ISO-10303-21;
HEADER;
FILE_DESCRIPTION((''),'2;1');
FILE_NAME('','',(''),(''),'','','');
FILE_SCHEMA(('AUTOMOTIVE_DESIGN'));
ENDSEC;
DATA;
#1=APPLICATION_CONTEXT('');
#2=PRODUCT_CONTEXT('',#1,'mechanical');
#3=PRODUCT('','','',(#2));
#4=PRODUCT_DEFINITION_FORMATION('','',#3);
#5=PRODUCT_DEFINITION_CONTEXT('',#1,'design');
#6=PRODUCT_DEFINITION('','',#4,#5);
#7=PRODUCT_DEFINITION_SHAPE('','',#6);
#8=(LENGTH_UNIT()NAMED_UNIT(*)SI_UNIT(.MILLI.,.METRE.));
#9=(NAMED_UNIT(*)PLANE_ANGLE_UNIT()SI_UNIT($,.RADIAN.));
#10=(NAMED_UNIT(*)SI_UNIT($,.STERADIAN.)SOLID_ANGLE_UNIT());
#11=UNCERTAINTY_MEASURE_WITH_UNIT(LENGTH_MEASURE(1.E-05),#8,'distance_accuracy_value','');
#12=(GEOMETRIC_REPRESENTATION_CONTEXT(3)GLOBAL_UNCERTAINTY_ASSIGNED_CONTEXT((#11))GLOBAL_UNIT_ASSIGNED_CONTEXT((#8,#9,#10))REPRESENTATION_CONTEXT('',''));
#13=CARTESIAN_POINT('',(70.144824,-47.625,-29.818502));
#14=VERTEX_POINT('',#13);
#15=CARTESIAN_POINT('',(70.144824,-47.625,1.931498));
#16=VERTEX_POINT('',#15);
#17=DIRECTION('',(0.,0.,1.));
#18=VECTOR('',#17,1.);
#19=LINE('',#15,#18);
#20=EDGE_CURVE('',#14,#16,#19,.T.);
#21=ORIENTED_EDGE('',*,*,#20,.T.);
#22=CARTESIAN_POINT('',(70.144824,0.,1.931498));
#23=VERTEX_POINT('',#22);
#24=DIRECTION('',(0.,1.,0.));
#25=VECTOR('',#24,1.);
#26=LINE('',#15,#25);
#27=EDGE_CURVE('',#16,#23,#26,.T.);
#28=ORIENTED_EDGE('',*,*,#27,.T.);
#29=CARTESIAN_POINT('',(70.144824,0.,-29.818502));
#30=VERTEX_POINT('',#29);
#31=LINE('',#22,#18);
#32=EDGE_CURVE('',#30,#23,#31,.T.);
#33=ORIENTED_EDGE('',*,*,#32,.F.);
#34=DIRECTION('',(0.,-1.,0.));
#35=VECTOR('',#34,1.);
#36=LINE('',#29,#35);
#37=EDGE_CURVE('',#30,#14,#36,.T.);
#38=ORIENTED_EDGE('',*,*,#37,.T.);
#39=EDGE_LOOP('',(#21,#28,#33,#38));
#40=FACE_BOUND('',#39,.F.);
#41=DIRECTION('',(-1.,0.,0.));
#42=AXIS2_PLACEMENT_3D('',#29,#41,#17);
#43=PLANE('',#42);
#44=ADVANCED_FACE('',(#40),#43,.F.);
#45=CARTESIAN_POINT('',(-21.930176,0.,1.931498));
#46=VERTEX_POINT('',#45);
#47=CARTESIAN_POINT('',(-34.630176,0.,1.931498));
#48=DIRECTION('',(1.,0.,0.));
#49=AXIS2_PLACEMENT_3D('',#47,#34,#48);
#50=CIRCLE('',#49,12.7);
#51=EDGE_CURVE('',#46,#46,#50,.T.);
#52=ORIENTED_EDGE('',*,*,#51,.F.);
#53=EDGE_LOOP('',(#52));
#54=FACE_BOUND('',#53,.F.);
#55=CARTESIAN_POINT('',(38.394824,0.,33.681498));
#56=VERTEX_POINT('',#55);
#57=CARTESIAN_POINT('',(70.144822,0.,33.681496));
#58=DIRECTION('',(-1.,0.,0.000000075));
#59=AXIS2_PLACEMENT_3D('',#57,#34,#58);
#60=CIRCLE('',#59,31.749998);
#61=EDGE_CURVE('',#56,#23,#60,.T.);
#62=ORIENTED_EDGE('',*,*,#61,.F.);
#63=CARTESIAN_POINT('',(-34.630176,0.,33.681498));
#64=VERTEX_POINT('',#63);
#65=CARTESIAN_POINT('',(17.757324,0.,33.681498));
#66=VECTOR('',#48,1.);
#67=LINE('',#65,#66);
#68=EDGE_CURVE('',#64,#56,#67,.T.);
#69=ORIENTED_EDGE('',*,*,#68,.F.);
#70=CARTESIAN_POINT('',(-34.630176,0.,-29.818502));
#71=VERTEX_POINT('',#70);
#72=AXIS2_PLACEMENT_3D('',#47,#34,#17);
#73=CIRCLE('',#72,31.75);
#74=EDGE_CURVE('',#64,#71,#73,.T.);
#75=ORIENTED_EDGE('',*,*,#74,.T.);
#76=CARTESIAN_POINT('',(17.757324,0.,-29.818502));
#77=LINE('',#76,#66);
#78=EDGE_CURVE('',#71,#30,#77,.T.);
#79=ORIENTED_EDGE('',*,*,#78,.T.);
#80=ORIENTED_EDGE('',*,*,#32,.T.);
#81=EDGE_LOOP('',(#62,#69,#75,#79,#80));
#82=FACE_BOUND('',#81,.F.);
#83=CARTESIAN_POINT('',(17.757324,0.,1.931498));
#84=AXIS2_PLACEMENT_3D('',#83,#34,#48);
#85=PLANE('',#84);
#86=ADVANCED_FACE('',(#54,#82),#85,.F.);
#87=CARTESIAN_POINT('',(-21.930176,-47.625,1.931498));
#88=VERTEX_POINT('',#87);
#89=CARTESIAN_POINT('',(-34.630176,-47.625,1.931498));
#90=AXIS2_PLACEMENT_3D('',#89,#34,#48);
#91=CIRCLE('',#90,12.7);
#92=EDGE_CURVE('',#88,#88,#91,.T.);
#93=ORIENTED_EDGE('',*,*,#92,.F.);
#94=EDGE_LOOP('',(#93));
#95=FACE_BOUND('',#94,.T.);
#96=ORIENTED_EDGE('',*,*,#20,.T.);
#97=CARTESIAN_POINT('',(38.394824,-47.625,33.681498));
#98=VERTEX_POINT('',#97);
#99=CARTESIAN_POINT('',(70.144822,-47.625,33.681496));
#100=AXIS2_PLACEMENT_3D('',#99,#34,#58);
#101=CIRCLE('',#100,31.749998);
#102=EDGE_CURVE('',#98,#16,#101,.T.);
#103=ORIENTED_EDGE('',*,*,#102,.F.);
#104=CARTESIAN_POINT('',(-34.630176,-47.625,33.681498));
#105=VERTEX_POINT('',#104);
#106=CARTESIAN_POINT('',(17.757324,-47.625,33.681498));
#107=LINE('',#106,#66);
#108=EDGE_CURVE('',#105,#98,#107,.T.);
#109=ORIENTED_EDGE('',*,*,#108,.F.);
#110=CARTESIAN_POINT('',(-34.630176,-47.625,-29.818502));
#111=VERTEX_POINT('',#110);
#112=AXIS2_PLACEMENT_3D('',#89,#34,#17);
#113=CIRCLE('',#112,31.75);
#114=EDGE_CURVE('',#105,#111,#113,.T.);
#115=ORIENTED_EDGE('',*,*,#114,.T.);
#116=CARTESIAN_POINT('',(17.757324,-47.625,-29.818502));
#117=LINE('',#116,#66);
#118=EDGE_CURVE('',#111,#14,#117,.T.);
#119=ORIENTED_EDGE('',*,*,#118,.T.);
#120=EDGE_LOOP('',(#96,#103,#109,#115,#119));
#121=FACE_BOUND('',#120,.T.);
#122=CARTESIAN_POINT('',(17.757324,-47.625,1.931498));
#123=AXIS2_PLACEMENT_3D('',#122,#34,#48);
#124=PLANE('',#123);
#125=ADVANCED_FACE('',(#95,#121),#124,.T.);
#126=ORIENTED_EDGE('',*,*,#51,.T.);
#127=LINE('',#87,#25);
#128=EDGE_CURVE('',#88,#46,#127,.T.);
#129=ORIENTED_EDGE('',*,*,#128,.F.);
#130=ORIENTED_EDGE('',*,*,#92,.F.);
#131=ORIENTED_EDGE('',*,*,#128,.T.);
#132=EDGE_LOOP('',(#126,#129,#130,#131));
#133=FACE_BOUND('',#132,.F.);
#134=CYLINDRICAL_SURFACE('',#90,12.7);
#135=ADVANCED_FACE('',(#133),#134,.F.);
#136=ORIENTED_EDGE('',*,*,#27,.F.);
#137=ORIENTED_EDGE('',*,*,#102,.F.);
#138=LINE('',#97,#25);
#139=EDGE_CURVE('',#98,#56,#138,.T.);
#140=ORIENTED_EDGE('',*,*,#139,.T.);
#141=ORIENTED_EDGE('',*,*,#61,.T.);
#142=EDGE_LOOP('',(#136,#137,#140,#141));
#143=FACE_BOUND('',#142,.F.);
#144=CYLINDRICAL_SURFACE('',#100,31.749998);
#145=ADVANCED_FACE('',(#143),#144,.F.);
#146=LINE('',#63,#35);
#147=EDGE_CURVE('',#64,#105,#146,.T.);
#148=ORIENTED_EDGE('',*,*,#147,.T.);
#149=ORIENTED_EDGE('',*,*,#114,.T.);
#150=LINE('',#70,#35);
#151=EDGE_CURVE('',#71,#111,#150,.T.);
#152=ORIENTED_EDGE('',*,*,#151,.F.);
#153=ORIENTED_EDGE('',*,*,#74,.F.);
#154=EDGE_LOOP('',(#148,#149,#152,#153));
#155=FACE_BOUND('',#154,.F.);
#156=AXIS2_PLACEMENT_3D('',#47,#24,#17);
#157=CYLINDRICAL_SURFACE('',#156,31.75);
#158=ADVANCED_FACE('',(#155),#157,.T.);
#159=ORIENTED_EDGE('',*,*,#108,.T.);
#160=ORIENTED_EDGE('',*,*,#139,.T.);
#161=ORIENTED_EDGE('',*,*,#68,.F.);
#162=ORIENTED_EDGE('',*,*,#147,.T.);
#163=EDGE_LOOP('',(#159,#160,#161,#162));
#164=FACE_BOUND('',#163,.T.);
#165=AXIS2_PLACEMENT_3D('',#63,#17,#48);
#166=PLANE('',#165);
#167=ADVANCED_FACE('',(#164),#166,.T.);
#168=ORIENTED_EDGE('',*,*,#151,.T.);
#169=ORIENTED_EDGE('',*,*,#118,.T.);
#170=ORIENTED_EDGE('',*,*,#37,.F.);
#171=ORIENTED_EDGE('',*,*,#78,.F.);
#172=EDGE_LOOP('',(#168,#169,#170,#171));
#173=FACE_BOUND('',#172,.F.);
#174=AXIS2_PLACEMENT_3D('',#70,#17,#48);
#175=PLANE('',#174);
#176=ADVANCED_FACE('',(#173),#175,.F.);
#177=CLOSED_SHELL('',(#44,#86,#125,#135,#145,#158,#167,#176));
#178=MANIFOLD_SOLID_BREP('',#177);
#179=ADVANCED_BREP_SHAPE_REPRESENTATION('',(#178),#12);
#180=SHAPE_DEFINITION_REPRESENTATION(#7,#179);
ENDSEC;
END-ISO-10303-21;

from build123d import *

# Parameters (mm, degrees)
F0_W     = 104.775
F0_H     = 63.5
F1_DEPTH = 47.625
F2_R     = 12.7
F3_DEPTH = 47.625
F5_DEPTH = 47.625


with BuildPart() as f1:
    # F0 (on Front) → F1 (new body)
    with BuildSketch(Plane.XZ):
        with Locations((17.757324, 1.931498)):
            Rectangle(F0_W, F0_H)
        with BuildLine():
            Line((-34.630176, -29.818502), (-34.630176, 33.681498))
            ThreePointArc((-34.630176, 33.681498), (-66.380176, 1.931498), (-34.630176, -29.818502))
        make_face()
    extrude(amount=F1_DEPTH)

    # F2 (on face) → F3 (cut)
    with BuildSketch(Plane.XZ.offset(47.625)):
        with Locations((-34.630176, 1.931498)):
            Circle(F2_R)
    extrude(amount=-F3_DEPTH, mode=Mode.SUBTRACT)

    # F4 (on face) → F5 (cut)
    with BuildSketch(Plane.XZ.offset(47.625)):
        with BuildLine():
            Line((70.144824, 33.681498), (38.394824, 33.681498))
            ThreePointArc((38.394824, 33.681498), (47.694183, 11.230857), (70.144824, 1.931498))
            Line((70.144824, 1.931498), (70.144824, 33.681498))
        make_face()
    extrude(amount=-F5_DEPTH, mode=Mode.SUBTRACT)


solid = f1.part
